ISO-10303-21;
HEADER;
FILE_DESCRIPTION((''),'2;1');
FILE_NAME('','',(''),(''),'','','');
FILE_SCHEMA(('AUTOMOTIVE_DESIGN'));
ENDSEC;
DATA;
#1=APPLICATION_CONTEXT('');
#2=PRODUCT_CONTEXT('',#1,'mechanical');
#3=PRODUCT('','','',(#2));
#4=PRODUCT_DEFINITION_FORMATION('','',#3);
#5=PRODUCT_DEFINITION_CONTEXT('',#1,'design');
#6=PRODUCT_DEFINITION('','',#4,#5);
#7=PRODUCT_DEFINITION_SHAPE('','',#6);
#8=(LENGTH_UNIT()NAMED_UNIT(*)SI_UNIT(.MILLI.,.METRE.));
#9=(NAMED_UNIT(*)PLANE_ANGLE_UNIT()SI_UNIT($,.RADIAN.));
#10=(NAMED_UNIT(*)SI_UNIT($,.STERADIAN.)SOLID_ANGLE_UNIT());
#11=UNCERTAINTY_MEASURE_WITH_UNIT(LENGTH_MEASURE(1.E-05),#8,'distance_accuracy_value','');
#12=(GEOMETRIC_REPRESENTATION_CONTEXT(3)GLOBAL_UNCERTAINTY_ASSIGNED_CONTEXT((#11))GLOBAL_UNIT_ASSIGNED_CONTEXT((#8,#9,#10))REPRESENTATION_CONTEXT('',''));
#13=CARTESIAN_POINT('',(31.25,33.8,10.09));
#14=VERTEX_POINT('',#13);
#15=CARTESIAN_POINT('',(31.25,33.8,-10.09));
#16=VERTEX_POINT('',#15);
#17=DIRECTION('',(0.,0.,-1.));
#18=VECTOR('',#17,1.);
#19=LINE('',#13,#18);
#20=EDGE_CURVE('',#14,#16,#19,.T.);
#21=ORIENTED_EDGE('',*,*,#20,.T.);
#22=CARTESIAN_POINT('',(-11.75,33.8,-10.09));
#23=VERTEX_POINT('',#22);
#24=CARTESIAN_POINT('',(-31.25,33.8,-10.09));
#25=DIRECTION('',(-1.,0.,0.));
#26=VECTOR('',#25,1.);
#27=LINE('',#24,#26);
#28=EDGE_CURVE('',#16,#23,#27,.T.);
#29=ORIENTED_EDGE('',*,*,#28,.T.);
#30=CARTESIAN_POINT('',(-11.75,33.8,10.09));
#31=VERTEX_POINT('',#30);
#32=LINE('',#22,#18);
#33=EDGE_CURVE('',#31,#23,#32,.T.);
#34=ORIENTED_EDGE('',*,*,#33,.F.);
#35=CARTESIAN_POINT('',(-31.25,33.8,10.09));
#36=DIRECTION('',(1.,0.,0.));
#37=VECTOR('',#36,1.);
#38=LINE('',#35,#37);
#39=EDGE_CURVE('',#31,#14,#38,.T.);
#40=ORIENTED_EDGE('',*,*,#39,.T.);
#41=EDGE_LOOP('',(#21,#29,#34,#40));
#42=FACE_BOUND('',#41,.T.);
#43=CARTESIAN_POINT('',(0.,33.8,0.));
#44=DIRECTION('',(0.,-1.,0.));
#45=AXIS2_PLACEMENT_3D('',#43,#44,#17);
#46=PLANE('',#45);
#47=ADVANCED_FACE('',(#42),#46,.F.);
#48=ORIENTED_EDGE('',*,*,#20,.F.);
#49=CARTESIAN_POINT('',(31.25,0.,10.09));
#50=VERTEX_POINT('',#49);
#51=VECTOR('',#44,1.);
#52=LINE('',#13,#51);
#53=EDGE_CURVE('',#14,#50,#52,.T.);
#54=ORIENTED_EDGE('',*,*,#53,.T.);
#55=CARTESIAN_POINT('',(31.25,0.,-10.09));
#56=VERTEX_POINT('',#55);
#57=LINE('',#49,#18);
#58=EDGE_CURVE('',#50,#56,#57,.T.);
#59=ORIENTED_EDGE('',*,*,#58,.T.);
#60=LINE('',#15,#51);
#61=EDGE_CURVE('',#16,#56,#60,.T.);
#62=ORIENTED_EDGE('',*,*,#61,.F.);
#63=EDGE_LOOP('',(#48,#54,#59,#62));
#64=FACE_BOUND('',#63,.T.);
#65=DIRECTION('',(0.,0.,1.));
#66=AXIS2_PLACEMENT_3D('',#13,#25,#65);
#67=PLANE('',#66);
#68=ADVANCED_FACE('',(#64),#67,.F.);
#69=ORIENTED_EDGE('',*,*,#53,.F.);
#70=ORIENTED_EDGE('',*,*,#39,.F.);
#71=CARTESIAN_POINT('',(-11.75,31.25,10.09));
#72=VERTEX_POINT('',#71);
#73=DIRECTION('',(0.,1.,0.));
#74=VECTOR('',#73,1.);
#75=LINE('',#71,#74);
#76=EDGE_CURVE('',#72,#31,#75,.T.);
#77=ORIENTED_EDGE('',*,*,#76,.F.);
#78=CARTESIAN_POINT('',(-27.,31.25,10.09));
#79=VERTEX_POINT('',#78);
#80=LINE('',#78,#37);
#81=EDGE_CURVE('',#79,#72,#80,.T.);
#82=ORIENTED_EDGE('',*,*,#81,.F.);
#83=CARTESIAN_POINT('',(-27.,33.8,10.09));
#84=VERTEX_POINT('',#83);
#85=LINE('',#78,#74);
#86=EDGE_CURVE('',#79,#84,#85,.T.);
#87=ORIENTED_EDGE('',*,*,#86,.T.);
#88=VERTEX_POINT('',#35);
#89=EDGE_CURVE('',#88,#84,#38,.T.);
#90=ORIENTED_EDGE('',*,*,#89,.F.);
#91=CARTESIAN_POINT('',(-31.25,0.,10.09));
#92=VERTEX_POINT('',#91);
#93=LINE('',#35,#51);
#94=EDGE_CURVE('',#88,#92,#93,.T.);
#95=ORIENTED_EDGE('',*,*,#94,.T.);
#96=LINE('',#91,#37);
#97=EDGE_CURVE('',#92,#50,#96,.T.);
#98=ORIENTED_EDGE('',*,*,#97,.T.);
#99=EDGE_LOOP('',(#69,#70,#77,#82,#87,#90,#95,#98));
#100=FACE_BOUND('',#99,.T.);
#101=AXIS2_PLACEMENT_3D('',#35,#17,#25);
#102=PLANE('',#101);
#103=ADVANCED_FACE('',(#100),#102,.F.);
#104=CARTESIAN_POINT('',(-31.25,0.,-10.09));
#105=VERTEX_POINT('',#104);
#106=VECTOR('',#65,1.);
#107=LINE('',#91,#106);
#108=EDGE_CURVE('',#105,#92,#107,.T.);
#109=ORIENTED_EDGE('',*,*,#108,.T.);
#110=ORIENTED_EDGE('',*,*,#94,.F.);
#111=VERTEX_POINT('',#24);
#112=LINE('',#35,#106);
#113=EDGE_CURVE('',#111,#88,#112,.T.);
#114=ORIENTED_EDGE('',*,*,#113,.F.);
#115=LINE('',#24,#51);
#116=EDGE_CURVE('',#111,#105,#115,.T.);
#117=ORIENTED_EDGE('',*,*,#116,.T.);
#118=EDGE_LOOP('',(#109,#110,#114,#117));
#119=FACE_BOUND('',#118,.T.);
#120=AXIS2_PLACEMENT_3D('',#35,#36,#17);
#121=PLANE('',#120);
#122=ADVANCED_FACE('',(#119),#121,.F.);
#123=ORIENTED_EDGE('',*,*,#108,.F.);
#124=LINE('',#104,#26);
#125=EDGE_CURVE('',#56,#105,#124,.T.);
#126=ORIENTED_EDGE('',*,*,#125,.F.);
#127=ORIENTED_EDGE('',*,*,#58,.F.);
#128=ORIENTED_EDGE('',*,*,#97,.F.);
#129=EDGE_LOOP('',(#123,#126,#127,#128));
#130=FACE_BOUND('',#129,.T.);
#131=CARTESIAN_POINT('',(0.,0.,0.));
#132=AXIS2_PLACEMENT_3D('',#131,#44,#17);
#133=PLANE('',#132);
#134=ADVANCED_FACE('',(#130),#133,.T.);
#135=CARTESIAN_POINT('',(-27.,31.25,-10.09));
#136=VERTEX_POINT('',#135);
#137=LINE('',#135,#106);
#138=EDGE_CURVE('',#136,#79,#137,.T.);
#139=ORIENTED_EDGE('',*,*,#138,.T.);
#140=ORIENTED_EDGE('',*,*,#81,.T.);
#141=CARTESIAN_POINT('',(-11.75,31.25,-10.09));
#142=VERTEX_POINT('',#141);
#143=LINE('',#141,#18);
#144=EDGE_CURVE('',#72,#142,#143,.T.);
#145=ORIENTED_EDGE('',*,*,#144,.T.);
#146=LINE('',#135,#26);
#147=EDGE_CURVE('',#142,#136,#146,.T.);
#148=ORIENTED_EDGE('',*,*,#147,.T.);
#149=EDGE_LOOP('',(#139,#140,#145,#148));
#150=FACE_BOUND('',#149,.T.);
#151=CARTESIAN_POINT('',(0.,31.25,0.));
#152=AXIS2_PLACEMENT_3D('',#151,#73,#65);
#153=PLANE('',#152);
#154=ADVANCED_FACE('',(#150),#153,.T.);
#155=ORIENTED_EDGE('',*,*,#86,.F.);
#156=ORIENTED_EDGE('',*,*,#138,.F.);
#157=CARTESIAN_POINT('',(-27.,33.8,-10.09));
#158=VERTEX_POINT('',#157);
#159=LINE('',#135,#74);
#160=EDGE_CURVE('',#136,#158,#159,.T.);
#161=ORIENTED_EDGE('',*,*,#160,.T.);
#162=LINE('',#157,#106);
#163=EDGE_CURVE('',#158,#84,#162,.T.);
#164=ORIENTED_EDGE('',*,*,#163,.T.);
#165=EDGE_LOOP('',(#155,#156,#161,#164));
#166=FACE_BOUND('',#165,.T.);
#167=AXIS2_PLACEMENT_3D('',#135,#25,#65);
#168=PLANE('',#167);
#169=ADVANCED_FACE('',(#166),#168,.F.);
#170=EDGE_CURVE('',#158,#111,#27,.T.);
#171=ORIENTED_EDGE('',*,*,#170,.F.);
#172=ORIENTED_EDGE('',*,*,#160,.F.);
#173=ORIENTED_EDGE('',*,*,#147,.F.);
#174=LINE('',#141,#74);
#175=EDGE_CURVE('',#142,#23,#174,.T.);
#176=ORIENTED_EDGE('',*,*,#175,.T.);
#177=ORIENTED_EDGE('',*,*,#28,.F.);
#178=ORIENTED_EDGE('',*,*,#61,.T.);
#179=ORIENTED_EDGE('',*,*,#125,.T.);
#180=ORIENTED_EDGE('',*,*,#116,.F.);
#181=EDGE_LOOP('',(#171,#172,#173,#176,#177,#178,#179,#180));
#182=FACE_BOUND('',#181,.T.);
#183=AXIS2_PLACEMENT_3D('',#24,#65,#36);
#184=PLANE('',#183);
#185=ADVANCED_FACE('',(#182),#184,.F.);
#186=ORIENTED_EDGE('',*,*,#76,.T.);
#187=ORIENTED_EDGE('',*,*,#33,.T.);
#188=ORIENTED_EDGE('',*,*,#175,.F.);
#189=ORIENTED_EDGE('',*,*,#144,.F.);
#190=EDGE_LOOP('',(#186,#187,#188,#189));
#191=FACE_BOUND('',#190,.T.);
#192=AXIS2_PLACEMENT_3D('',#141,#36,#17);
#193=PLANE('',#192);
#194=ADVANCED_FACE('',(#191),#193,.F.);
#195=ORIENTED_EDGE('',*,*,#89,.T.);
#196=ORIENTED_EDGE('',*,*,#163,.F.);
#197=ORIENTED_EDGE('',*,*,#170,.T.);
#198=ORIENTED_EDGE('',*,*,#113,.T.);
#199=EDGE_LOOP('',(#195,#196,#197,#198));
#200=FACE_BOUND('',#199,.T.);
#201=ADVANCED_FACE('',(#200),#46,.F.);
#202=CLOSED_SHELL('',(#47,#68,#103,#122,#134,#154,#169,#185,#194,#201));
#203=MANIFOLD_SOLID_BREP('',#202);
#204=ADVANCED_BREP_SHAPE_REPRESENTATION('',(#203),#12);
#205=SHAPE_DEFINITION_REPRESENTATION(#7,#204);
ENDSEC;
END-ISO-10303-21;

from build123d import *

# Parameters (mm, degrees)
SKETCH_200_W        = 62.5
SKETCH_200_H        = 20.18
EXTRUDE_1_DEPTH     = 33.8
SKETCH_6_W          = 15.25
SKETCH_6_H          = 20.18
CUT_EXTRUDE_1_DEPTH = 2.55


with BuildPart() as part:
    # Sketch 200 → Бобышка-Вытянуть1 (new body)
    with BuildSketch(Plane(origin=(0, 0, 0), x_dir=(1, 0, 0), z_dir=(0, 1, 0))):
        Rectangle(SKETCH_200_W, SKETCH_200_H)
    extrude(amount=EXTRUDE_1_DEPTH)

    # Эскиз6 → Вырез-Вытянуть1 (cut)
    with BuildSketch(Plane(origin=(0, 33.8, 0), x_dir=(1, 0, 0), z_dir=(0, 1, 0))):
        with Locations((-19.375, 0)):
            Rectangle(SKETCH_6_W, SKETCH_6_H)
    extrude(amount=-CUT_EXTRUDE_1_DEPTH, mode=Mode.SUBTRACT)


solid = part.part
